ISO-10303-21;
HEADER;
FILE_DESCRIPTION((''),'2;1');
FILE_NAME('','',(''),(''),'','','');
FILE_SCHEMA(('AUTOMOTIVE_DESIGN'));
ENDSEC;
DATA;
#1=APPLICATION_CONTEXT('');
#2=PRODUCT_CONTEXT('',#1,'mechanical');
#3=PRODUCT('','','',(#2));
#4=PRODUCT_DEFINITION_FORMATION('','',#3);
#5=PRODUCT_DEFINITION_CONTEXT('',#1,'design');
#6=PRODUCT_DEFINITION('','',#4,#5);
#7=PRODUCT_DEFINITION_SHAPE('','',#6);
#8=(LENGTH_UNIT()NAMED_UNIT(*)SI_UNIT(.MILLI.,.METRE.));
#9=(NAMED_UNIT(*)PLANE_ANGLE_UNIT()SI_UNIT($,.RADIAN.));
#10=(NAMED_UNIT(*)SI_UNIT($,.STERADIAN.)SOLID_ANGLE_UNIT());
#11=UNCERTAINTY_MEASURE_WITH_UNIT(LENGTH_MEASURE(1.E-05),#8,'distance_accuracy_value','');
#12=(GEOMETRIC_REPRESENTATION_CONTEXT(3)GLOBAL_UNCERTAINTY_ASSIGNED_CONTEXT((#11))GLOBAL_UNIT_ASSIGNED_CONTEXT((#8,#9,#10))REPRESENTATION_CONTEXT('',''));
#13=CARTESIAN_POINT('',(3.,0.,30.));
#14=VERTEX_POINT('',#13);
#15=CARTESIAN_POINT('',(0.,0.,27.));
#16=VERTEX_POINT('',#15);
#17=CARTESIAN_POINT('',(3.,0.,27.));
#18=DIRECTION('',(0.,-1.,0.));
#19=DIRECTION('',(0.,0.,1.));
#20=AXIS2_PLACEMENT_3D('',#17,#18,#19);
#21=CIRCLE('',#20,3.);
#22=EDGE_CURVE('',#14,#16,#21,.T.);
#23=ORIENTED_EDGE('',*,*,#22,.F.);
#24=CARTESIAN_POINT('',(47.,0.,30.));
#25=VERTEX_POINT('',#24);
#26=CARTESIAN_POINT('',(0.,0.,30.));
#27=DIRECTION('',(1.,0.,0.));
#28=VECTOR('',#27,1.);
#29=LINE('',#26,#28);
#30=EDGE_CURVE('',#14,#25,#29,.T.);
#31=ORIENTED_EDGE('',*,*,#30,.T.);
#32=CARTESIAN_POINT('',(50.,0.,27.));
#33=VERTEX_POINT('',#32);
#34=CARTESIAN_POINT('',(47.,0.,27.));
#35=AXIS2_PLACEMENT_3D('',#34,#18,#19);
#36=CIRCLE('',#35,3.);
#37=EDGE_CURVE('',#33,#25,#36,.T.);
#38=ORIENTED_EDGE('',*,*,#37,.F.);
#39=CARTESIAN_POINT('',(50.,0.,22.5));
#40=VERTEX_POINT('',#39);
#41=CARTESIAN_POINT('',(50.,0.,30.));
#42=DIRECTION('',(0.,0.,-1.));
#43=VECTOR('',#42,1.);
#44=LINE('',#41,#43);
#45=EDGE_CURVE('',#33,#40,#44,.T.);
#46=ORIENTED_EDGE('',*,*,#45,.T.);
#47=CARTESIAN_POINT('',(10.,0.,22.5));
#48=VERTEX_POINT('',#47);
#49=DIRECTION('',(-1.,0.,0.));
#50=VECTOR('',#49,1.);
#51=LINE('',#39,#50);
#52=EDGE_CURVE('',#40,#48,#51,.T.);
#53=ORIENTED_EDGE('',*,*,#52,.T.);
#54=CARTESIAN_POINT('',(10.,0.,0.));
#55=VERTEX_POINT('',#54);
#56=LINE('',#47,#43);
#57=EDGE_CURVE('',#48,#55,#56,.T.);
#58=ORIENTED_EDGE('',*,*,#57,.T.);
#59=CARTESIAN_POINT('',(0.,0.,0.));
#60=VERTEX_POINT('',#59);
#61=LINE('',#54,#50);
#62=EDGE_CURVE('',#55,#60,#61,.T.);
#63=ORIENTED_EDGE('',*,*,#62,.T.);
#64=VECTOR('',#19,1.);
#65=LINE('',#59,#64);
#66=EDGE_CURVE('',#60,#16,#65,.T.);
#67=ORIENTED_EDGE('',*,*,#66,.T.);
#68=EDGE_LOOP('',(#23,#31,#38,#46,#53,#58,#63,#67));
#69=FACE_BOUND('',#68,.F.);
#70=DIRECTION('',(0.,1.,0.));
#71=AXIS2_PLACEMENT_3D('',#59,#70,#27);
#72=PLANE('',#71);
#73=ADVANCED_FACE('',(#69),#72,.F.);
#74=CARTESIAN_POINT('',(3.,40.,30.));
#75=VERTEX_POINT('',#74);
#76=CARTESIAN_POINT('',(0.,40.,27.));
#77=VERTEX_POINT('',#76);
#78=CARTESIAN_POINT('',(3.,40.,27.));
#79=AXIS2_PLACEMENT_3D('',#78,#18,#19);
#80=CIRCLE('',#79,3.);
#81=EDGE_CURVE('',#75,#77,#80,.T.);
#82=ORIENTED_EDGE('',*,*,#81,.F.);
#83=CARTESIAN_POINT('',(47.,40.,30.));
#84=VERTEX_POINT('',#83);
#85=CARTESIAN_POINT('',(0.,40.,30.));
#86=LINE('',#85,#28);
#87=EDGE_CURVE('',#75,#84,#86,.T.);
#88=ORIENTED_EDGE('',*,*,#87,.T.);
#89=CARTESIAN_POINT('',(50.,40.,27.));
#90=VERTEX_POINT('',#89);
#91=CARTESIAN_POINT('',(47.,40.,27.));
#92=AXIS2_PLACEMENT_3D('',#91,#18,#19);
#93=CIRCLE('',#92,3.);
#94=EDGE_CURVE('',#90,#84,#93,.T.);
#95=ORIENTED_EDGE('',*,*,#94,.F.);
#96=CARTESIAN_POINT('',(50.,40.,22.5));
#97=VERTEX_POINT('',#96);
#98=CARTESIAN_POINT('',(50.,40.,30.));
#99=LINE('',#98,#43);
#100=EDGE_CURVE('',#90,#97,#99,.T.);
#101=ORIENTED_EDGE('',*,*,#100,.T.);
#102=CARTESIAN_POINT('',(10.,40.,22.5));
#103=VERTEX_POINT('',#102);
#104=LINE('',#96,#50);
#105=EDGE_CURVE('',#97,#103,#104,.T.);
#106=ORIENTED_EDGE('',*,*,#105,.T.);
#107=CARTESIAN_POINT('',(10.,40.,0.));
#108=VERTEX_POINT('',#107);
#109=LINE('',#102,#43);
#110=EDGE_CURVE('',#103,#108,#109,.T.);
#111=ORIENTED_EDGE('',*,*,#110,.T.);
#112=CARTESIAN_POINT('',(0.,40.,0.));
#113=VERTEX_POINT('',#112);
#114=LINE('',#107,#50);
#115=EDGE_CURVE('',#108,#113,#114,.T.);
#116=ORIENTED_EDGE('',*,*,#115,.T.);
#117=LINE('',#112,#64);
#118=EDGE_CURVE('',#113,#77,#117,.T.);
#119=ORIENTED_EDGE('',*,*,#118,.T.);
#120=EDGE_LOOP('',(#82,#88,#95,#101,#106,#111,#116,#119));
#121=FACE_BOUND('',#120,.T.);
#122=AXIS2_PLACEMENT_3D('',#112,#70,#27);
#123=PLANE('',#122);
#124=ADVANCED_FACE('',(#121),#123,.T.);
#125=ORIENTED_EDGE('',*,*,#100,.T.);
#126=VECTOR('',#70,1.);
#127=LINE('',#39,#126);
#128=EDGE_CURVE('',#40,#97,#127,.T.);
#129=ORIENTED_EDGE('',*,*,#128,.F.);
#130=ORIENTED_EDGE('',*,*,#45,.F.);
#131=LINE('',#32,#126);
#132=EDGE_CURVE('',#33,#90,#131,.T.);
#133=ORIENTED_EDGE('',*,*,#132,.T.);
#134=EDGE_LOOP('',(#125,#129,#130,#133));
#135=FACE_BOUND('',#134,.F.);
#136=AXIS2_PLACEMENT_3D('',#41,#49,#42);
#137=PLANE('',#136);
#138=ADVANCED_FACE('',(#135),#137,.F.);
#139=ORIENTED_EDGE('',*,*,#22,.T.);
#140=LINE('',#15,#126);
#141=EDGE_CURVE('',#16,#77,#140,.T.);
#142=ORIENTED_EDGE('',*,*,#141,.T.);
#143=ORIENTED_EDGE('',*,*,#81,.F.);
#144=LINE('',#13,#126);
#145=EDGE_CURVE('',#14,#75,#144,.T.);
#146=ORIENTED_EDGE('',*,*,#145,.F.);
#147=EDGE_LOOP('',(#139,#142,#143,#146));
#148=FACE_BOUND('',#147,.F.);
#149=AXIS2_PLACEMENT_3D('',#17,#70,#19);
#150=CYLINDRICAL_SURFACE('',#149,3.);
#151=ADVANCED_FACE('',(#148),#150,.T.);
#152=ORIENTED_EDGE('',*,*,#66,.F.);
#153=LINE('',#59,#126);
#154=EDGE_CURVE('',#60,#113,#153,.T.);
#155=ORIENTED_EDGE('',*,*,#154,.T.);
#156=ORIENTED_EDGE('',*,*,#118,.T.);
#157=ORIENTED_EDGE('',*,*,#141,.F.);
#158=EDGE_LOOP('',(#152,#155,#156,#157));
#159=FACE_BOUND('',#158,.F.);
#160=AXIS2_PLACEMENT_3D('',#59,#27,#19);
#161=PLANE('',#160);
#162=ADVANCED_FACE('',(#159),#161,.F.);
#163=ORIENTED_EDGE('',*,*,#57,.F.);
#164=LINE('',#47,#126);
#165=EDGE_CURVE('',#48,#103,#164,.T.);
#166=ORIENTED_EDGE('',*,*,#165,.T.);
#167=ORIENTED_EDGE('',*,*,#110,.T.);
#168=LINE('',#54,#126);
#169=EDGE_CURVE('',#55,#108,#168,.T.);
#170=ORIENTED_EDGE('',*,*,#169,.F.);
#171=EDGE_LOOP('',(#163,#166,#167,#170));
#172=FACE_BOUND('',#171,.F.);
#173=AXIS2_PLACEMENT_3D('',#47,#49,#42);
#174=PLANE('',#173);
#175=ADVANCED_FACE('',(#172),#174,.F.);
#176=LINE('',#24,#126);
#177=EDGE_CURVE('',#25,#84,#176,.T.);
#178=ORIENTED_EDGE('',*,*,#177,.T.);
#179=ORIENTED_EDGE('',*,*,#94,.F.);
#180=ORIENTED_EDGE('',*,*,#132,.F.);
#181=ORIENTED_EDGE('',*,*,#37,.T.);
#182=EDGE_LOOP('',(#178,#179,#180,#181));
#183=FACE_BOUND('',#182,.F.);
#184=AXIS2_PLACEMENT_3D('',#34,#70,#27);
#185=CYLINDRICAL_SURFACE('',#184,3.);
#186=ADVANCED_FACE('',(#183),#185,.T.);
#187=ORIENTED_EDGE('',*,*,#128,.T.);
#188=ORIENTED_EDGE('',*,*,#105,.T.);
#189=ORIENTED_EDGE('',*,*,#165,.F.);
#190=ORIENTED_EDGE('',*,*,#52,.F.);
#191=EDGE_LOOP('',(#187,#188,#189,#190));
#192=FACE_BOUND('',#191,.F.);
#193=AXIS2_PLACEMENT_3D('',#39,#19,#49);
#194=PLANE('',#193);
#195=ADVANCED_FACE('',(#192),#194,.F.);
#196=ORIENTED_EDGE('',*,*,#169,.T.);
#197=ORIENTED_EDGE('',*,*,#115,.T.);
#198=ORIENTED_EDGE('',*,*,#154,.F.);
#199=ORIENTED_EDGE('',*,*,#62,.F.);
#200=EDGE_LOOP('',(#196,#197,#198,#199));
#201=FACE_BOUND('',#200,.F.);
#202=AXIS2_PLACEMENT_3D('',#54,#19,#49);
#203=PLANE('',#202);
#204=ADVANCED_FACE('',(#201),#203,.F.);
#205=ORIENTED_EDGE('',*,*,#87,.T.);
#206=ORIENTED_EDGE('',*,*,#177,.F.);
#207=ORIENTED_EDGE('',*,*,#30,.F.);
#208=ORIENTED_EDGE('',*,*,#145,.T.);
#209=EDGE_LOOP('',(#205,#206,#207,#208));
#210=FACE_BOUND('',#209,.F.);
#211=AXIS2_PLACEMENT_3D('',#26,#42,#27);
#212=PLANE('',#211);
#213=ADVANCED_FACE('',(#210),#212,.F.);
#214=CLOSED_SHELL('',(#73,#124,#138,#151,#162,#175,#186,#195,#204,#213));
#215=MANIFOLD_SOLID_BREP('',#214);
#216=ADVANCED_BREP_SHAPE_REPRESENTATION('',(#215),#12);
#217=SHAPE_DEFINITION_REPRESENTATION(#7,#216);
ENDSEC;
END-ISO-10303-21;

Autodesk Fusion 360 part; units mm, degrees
sketch "Sketch1" plane through (0, 0, 0) normal (0, 1, 0) x (1, 0, 0)
  line L0 (0, 0) -> (0, -30)
  line L1 (0, -30) -> (50, -30)
  line L2 (50, -30) -> (50, -22.5)
  line L3 (50, -22.5) -> (10, -22.5)
  line L4 (10, -22.5) -> (10, 0)
  line L5 (10, 0) -> (0, 0)
  dimension "d1" = 10
  dimension "d2" = 30
  dimension "d3" = 50
  dimension "d9" = 7.5
extrude "Extrude1" add sketch "Sketch1" along normal blind 40
sketch "Sketch2" plane through (10, 0, 0) normal (1, 0, 0) x (0, 1, 0)
  line L0 (0, 22.5) -> (0, 0)
  line L1 (0, 0) -> (40, 0)
  line L2 (40, 0) -> (40, 22.5)
  line L3 (40, 22.5) -> (0, 22.5)
  line L4 (23.25, 15) -> (23.25, 7.5)
  line L5 (16.75, 7.5) -> (16.75, 15)
  arc A0 (23.25, 15) -> (16.75, 15) centre (20, 15) ccw
  arc A1 (16.75, 7.5) -> (23.25, 7.5) centre (20, 7.5) ccw
  line L6 (0, 0) -> (40, 22.5) construction
  line L7 (20, 15) -> (20, 7.5) construction
  dimension "d6" = 6.5
  dimension "d7" = 7.5
extrude "Extrude2" cut sketch "Sketch2" along normal through all contours L4 L5 A0 A1
fillet "Fillet1" radius 3 2 edges at (0, 20, 30) (50, 20, 30)
